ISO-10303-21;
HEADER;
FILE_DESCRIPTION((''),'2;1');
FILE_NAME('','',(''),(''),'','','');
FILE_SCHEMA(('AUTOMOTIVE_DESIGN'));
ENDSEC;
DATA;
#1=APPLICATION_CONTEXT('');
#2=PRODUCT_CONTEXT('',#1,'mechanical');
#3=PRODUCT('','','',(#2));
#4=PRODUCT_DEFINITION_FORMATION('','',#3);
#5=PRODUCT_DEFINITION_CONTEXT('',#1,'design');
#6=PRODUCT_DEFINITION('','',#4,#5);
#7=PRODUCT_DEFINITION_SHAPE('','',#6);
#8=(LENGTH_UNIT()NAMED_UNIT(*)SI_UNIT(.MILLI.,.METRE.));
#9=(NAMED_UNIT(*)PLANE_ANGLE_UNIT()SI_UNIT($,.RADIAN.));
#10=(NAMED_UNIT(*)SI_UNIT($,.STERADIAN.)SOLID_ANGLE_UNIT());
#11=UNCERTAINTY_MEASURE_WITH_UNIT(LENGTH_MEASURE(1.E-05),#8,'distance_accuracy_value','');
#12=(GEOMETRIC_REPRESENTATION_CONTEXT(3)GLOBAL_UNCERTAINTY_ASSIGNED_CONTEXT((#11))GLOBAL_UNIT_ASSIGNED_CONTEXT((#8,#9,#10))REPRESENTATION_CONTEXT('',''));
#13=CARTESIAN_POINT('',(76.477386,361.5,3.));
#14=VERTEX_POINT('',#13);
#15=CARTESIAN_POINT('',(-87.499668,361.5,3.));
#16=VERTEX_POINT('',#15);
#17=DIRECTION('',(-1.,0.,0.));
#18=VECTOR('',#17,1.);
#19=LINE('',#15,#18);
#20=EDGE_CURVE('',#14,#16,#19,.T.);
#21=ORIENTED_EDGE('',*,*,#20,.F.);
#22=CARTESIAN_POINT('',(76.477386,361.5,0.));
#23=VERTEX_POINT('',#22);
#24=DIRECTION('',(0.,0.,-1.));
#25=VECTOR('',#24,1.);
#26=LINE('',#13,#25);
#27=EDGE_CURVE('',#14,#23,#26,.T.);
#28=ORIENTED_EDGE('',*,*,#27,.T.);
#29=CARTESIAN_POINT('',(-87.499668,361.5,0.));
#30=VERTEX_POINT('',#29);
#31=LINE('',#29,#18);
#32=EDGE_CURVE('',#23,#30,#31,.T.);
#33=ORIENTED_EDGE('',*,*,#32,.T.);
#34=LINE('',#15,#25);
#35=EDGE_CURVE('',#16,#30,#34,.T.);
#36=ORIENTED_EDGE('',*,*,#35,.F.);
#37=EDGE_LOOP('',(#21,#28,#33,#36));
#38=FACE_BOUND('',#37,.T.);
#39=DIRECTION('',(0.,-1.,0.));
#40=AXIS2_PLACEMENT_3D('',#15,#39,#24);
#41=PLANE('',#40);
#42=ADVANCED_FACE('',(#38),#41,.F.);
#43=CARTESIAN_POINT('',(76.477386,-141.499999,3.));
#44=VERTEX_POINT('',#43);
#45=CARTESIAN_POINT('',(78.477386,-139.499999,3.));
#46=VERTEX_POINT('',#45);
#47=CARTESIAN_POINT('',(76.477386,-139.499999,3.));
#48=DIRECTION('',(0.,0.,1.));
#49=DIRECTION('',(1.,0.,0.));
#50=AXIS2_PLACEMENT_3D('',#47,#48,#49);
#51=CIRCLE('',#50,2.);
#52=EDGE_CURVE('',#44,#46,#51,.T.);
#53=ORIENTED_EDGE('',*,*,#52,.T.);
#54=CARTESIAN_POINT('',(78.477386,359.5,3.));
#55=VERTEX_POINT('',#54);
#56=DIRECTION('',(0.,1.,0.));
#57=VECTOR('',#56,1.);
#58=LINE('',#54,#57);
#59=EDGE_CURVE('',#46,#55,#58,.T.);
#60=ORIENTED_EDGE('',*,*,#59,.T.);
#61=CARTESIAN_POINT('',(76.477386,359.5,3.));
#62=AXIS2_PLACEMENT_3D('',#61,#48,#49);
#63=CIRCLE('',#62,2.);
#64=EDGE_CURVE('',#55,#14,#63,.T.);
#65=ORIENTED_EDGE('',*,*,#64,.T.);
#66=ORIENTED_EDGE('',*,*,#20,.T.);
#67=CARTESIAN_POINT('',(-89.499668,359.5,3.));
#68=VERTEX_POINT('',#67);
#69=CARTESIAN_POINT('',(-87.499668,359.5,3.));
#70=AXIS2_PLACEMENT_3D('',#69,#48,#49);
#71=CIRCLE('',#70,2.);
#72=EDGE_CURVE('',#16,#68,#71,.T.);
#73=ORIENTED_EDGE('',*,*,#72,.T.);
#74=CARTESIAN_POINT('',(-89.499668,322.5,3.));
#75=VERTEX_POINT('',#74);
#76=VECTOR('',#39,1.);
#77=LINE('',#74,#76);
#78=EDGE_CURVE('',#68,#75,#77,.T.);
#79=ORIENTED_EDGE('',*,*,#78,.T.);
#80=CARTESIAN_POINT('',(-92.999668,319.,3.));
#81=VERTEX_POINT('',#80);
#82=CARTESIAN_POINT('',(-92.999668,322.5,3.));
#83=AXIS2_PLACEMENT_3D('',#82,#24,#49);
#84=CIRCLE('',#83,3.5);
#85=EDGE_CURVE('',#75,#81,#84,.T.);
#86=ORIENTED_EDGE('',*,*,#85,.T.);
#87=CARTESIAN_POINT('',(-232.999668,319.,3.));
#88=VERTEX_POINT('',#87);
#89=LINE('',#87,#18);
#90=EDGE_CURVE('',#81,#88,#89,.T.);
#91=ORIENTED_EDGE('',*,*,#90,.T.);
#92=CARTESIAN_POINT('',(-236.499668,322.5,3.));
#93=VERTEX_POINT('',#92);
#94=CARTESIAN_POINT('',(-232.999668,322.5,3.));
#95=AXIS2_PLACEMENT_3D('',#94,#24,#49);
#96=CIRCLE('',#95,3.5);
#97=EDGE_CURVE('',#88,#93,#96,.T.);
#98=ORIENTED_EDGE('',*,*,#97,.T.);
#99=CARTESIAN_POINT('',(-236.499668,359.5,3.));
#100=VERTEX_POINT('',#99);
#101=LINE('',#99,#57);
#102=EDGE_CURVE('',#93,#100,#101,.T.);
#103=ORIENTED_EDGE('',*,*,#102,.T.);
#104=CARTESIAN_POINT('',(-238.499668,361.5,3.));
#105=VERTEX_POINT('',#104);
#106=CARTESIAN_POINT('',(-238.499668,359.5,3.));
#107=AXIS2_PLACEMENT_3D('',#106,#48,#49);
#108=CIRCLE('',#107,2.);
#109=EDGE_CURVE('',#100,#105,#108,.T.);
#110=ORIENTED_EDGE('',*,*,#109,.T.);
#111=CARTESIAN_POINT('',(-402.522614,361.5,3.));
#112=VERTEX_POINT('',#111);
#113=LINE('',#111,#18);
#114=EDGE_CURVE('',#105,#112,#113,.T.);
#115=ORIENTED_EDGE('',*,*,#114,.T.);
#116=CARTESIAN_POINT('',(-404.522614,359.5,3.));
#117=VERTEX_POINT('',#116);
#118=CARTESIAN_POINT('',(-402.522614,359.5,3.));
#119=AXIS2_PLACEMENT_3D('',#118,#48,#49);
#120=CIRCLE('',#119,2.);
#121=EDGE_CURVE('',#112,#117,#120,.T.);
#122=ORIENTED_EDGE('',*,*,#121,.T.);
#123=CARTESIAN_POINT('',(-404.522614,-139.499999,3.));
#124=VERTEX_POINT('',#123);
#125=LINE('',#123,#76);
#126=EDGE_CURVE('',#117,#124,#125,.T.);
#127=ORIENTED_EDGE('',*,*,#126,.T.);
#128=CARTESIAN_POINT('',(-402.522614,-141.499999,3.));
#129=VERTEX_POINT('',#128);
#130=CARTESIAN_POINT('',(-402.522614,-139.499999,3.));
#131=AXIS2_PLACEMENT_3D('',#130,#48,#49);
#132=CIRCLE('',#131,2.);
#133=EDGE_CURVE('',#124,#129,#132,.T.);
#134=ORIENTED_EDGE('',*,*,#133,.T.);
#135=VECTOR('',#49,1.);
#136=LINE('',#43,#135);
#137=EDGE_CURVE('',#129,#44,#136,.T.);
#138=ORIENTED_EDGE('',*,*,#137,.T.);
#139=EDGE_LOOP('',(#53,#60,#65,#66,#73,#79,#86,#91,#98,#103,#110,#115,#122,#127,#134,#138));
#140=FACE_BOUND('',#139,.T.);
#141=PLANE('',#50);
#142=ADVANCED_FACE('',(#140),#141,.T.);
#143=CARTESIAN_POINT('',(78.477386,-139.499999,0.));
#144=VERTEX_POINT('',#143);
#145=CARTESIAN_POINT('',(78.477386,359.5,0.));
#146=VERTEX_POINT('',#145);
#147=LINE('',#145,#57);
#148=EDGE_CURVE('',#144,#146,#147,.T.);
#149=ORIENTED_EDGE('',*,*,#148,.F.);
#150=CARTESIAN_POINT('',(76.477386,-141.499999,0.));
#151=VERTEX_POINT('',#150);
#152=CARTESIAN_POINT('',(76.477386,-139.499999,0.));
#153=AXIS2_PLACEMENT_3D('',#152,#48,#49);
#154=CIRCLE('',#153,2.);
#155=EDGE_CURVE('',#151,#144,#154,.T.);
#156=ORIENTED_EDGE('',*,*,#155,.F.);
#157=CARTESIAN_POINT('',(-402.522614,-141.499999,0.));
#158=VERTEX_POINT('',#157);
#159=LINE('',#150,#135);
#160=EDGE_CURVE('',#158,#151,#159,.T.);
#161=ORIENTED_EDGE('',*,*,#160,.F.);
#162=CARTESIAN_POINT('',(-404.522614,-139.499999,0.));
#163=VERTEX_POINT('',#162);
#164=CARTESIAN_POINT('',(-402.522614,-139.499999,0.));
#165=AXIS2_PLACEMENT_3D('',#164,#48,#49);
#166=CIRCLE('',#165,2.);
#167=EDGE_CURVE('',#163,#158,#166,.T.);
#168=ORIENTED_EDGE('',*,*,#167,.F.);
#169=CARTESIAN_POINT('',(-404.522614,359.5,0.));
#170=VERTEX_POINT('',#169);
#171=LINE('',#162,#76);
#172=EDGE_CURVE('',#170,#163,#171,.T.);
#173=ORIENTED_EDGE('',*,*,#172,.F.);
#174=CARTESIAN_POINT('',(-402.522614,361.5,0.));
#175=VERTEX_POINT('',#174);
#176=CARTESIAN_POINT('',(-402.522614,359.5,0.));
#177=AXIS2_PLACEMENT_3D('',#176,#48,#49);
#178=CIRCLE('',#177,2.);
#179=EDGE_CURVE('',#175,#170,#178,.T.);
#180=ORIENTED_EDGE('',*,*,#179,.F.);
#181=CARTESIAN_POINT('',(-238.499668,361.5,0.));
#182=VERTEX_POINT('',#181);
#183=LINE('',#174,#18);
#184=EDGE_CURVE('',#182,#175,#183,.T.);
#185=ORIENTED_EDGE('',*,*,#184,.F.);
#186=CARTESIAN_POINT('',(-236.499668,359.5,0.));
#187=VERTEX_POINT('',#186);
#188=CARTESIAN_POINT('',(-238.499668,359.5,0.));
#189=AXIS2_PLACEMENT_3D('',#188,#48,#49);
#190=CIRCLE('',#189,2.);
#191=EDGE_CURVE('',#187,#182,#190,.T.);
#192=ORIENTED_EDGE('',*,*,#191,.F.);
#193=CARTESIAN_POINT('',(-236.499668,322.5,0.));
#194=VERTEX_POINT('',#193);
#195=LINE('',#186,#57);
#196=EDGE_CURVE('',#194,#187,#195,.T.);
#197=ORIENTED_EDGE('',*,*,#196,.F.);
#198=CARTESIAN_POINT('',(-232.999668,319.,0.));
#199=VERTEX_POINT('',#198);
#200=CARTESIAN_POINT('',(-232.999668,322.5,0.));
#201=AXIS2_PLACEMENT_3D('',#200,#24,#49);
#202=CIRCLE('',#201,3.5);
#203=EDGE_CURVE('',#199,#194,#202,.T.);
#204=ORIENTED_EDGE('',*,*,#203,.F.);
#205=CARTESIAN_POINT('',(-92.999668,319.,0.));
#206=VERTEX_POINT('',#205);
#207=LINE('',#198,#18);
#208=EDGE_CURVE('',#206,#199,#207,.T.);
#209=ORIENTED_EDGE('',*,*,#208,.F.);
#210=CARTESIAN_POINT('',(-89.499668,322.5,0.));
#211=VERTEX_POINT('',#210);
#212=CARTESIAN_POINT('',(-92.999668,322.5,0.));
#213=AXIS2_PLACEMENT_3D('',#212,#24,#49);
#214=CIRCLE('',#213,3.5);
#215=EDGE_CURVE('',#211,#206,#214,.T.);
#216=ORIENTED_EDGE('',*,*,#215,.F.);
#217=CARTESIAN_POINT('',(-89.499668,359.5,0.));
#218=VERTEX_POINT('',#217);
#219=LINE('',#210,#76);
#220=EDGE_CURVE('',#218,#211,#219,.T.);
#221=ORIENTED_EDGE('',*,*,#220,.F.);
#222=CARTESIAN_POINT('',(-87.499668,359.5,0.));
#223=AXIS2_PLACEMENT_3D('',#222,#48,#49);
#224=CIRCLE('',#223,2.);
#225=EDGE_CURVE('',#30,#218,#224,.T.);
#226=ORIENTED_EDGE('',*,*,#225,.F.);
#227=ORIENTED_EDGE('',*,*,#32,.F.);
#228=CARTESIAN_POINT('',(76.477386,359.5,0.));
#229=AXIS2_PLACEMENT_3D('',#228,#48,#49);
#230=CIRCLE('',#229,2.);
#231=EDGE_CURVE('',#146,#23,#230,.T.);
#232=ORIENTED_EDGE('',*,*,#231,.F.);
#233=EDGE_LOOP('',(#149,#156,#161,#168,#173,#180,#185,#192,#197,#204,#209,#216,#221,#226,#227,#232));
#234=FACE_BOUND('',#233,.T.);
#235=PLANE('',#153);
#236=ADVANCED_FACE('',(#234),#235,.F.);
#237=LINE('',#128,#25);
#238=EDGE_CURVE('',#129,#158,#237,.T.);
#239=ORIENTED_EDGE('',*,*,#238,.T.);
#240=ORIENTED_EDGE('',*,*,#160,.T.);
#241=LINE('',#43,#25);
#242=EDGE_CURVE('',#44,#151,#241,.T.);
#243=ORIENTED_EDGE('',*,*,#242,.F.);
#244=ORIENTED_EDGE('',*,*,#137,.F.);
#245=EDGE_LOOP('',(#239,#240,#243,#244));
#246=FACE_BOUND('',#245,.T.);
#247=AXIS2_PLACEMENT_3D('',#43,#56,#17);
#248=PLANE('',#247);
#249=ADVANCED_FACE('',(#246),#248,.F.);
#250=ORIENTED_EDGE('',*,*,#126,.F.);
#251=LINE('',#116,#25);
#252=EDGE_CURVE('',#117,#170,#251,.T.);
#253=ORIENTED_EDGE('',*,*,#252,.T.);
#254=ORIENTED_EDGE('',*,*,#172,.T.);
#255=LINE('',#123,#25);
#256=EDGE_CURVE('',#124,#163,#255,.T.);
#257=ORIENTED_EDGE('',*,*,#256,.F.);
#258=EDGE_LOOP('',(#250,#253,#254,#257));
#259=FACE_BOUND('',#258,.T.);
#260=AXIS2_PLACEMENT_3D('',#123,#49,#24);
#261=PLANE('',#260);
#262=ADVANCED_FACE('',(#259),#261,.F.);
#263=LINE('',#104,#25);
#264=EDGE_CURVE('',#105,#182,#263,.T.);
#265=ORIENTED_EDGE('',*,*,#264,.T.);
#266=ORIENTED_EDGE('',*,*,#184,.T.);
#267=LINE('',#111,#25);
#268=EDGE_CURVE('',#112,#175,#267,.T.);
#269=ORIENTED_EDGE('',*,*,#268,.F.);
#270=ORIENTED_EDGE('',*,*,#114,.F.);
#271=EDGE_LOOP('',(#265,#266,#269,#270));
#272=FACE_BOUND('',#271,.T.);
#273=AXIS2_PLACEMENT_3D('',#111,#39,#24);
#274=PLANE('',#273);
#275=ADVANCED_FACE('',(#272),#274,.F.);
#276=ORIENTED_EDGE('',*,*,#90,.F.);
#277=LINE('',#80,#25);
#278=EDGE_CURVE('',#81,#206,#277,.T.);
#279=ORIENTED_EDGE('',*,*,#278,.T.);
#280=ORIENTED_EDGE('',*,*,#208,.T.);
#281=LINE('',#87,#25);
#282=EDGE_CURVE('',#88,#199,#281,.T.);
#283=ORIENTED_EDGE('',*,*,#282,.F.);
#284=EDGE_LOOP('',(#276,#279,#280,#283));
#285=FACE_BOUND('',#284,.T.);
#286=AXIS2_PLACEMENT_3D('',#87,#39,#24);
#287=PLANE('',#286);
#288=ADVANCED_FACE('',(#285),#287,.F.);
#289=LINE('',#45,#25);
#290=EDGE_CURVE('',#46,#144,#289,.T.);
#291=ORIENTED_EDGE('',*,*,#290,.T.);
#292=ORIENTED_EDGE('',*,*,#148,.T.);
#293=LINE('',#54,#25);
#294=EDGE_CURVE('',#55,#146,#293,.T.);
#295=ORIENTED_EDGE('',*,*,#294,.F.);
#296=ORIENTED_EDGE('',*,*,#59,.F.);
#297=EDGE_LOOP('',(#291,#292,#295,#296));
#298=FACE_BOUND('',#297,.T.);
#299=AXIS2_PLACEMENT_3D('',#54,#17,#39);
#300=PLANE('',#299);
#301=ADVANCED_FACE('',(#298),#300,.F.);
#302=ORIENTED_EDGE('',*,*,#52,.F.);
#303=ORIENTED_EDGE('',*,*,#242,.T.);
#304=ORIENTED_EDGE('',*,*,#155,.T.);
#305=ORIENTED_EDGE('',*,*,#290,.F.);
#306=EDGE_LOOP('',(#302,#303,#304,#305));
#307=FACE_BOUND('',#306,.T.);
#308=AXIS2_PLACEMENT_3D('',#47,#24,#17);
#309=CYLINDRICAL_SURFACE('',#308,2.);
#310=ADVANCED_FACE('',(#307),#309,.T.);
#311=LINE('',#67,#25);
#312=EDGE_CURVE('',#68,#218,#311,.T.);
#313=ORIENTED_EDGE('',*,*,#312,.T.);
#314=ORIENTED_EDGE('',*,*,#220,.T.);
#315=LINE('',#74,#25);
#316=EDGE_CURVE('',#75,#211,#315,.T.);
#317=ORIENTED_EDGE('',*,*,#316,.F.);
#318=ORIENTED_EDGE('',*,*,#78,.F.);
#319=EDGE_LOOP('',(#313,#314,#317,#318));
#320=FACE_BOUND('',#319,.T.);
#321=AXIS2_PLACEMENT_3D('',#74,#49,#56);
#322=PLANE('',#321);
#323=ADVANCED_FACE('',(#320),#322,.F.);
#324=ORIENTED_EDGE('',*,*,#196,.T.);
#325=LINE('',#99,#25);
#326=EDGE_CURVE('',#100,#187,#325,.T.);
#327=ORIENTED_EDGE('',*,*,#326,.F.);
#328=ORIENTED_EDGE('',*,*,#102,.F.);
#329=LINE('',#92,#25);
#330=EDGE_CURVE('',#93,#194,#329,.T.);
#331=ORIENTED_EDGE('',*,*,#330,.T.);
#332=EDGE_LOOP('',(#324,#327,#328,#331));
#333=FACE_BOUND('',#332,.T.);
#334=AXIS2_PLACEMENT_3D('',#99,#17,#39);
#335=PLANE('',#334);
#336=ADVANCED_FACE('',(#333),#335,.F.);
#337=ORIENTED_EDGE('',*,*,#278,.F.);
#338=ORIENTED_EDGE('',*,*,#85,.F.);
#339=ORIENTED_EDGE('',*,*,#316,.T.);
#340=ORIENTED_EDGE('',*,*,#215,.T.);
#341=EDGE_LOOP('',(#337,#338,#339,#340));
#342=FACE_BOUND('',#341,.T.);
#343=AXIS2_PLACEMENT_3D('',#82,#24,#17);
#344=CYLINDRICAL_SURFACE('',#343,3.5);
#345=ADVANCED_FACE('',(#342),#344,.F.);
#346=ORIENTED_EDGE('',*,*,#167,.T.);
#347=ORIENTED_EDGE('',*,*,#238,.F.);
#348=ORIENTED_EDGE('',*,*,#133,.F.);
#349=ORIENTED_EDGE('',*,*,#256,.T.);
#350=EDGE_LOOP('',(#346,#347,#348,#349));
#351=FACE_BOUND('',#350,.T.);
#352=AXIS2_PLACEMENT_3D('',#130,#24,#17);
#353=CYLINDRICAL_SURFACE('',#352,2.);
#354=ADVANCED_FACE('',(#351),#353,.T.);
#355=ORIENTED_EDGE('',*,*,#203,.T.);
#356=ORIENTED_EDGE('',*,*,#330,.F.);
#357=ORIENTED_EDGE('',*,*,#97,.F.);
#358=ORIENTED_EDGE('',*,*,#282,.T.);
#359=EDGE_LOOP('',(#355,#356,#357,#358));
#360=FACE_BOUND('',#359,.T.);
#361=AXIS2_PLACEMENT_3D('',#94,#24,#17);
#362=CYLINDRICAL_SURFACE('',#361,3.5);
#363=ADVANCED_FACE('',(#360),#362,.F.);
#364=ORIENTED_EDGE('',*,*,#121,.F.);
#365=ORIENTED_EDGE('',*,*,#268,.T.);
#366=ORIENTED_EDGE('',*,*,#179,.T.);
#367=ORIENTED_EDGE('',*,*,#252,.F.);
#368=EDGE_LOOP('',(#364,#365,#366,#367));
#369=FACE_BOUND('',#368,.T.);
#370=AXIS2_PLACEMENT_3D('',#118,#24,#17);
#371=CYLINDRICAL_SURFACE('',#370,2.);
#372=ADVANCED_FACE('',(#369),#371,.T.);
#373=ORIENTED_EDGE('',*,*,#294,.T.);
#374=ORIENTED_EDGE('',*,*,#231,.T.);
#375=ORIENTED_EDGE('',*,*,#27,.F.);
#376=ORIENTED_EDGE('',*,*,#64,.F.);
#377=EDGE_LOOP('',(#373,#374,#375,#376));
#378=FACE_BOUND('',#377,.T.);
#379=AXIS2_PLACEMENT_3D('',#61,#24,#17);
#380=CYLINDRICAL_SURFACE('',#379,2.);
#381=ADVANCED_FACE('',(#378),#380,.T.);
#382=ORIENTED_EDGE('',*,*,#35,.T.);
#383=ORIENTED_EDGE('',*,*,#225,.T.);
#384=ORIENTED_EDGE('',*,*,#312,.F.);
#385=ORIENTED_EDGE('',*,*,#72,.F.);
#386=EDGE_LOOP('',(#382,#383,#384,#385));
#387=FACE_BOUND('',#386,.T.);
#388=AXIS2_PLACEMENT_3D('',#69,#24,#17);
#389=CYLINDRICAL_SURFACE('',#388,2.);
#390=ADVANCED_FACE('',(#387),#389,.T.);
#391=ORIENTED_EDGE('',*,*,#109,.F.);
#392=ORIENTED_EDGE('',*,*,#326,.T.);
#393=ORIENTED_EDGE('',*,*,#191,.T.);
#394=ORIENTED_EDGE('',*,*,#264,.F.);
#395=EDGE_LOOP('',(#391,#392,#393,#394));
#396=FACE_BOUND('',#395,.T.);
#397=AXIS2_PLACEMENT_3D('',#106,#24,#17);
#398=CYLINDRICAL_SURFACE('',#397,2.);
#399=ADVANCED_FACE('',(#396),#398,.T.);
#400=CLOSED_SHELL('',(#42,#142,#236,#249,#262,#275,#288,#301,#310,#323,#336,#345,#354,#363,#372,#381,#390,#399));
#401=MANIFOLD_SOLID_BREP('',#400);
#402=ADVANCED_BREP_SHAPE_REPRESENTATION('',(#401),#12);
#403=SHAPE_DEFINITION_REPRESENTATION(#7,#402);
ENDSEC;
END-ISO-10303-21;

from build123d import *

# Parameters (mm, degrees)
BOSS_EXTRUDE1_DEPTH = 3


with BuildPart() as part:
    # Model → Boss-Extrude1 (new body)
    with BuildSketch(Plane.XY):
        with BuildLine():
            Line((76.477385891, -141.499999434), (-402.52261402, -141.499999434))
            ThreePointArc((-402.52261402, -141.499999434), (-403.936827582, -140.914212996), (-404.52261402, -139.499999434))
            Line((-404.52261402, -139.499999434), (-404.52261402, 359.500000477))
            ThreePointArc((-404.52261402, 359.500000477), (-403.936827582, 360.914214039), (-402.52261402, 361.500000477))
            Line((-402.52261402, 361.500000477), (-238.499667694, 361.500000477))
            ThreePointArc((-238.499667694, 361.500000477), (-237.085454131, 360.914214039), (-236.499667694, 359.500000477))
            Line((-236.499667694, 359.500000477), (-236.499667694, 322.5))
            ThreePointArc((-236.499667694, 322.5), (-235.474541428, 320.025126266), (-232.999667694, 319))
            Line((-232.999667694, 319), (-92.999667694, 319))
            ThreePointArc((-92.999667694, 319), (-90.524793959, 320.025126266), (-89.499667694, 322.5))
            Line((-89.499667694, 322.5), (-89.499667694, 359.500000477))
            ThreePointArc((-89.499667694, 359.500000477), (-88.913881256, 360.914214039), (-87.499667694, 361.500000477))
            Line((-87.499667694, 361.500000477), (76.477385891, 361.500000477))
            ThreePointArc((76.477385891, 361.500000477), (77.891599453, 360.914214039), (78.477385891, 359.500000477))
            Line((78.477385891, 359.500000477), (78.477385891, -139.499999434))
            ThreePointArc((78.477385891, -139.499999434), (77.891599453, -140.914212996), (76.477385891, -141.499999434))
        make_face()
    extrude(amount=BOSS_EXTRUDE1_DEPTH)


solid = part.part
